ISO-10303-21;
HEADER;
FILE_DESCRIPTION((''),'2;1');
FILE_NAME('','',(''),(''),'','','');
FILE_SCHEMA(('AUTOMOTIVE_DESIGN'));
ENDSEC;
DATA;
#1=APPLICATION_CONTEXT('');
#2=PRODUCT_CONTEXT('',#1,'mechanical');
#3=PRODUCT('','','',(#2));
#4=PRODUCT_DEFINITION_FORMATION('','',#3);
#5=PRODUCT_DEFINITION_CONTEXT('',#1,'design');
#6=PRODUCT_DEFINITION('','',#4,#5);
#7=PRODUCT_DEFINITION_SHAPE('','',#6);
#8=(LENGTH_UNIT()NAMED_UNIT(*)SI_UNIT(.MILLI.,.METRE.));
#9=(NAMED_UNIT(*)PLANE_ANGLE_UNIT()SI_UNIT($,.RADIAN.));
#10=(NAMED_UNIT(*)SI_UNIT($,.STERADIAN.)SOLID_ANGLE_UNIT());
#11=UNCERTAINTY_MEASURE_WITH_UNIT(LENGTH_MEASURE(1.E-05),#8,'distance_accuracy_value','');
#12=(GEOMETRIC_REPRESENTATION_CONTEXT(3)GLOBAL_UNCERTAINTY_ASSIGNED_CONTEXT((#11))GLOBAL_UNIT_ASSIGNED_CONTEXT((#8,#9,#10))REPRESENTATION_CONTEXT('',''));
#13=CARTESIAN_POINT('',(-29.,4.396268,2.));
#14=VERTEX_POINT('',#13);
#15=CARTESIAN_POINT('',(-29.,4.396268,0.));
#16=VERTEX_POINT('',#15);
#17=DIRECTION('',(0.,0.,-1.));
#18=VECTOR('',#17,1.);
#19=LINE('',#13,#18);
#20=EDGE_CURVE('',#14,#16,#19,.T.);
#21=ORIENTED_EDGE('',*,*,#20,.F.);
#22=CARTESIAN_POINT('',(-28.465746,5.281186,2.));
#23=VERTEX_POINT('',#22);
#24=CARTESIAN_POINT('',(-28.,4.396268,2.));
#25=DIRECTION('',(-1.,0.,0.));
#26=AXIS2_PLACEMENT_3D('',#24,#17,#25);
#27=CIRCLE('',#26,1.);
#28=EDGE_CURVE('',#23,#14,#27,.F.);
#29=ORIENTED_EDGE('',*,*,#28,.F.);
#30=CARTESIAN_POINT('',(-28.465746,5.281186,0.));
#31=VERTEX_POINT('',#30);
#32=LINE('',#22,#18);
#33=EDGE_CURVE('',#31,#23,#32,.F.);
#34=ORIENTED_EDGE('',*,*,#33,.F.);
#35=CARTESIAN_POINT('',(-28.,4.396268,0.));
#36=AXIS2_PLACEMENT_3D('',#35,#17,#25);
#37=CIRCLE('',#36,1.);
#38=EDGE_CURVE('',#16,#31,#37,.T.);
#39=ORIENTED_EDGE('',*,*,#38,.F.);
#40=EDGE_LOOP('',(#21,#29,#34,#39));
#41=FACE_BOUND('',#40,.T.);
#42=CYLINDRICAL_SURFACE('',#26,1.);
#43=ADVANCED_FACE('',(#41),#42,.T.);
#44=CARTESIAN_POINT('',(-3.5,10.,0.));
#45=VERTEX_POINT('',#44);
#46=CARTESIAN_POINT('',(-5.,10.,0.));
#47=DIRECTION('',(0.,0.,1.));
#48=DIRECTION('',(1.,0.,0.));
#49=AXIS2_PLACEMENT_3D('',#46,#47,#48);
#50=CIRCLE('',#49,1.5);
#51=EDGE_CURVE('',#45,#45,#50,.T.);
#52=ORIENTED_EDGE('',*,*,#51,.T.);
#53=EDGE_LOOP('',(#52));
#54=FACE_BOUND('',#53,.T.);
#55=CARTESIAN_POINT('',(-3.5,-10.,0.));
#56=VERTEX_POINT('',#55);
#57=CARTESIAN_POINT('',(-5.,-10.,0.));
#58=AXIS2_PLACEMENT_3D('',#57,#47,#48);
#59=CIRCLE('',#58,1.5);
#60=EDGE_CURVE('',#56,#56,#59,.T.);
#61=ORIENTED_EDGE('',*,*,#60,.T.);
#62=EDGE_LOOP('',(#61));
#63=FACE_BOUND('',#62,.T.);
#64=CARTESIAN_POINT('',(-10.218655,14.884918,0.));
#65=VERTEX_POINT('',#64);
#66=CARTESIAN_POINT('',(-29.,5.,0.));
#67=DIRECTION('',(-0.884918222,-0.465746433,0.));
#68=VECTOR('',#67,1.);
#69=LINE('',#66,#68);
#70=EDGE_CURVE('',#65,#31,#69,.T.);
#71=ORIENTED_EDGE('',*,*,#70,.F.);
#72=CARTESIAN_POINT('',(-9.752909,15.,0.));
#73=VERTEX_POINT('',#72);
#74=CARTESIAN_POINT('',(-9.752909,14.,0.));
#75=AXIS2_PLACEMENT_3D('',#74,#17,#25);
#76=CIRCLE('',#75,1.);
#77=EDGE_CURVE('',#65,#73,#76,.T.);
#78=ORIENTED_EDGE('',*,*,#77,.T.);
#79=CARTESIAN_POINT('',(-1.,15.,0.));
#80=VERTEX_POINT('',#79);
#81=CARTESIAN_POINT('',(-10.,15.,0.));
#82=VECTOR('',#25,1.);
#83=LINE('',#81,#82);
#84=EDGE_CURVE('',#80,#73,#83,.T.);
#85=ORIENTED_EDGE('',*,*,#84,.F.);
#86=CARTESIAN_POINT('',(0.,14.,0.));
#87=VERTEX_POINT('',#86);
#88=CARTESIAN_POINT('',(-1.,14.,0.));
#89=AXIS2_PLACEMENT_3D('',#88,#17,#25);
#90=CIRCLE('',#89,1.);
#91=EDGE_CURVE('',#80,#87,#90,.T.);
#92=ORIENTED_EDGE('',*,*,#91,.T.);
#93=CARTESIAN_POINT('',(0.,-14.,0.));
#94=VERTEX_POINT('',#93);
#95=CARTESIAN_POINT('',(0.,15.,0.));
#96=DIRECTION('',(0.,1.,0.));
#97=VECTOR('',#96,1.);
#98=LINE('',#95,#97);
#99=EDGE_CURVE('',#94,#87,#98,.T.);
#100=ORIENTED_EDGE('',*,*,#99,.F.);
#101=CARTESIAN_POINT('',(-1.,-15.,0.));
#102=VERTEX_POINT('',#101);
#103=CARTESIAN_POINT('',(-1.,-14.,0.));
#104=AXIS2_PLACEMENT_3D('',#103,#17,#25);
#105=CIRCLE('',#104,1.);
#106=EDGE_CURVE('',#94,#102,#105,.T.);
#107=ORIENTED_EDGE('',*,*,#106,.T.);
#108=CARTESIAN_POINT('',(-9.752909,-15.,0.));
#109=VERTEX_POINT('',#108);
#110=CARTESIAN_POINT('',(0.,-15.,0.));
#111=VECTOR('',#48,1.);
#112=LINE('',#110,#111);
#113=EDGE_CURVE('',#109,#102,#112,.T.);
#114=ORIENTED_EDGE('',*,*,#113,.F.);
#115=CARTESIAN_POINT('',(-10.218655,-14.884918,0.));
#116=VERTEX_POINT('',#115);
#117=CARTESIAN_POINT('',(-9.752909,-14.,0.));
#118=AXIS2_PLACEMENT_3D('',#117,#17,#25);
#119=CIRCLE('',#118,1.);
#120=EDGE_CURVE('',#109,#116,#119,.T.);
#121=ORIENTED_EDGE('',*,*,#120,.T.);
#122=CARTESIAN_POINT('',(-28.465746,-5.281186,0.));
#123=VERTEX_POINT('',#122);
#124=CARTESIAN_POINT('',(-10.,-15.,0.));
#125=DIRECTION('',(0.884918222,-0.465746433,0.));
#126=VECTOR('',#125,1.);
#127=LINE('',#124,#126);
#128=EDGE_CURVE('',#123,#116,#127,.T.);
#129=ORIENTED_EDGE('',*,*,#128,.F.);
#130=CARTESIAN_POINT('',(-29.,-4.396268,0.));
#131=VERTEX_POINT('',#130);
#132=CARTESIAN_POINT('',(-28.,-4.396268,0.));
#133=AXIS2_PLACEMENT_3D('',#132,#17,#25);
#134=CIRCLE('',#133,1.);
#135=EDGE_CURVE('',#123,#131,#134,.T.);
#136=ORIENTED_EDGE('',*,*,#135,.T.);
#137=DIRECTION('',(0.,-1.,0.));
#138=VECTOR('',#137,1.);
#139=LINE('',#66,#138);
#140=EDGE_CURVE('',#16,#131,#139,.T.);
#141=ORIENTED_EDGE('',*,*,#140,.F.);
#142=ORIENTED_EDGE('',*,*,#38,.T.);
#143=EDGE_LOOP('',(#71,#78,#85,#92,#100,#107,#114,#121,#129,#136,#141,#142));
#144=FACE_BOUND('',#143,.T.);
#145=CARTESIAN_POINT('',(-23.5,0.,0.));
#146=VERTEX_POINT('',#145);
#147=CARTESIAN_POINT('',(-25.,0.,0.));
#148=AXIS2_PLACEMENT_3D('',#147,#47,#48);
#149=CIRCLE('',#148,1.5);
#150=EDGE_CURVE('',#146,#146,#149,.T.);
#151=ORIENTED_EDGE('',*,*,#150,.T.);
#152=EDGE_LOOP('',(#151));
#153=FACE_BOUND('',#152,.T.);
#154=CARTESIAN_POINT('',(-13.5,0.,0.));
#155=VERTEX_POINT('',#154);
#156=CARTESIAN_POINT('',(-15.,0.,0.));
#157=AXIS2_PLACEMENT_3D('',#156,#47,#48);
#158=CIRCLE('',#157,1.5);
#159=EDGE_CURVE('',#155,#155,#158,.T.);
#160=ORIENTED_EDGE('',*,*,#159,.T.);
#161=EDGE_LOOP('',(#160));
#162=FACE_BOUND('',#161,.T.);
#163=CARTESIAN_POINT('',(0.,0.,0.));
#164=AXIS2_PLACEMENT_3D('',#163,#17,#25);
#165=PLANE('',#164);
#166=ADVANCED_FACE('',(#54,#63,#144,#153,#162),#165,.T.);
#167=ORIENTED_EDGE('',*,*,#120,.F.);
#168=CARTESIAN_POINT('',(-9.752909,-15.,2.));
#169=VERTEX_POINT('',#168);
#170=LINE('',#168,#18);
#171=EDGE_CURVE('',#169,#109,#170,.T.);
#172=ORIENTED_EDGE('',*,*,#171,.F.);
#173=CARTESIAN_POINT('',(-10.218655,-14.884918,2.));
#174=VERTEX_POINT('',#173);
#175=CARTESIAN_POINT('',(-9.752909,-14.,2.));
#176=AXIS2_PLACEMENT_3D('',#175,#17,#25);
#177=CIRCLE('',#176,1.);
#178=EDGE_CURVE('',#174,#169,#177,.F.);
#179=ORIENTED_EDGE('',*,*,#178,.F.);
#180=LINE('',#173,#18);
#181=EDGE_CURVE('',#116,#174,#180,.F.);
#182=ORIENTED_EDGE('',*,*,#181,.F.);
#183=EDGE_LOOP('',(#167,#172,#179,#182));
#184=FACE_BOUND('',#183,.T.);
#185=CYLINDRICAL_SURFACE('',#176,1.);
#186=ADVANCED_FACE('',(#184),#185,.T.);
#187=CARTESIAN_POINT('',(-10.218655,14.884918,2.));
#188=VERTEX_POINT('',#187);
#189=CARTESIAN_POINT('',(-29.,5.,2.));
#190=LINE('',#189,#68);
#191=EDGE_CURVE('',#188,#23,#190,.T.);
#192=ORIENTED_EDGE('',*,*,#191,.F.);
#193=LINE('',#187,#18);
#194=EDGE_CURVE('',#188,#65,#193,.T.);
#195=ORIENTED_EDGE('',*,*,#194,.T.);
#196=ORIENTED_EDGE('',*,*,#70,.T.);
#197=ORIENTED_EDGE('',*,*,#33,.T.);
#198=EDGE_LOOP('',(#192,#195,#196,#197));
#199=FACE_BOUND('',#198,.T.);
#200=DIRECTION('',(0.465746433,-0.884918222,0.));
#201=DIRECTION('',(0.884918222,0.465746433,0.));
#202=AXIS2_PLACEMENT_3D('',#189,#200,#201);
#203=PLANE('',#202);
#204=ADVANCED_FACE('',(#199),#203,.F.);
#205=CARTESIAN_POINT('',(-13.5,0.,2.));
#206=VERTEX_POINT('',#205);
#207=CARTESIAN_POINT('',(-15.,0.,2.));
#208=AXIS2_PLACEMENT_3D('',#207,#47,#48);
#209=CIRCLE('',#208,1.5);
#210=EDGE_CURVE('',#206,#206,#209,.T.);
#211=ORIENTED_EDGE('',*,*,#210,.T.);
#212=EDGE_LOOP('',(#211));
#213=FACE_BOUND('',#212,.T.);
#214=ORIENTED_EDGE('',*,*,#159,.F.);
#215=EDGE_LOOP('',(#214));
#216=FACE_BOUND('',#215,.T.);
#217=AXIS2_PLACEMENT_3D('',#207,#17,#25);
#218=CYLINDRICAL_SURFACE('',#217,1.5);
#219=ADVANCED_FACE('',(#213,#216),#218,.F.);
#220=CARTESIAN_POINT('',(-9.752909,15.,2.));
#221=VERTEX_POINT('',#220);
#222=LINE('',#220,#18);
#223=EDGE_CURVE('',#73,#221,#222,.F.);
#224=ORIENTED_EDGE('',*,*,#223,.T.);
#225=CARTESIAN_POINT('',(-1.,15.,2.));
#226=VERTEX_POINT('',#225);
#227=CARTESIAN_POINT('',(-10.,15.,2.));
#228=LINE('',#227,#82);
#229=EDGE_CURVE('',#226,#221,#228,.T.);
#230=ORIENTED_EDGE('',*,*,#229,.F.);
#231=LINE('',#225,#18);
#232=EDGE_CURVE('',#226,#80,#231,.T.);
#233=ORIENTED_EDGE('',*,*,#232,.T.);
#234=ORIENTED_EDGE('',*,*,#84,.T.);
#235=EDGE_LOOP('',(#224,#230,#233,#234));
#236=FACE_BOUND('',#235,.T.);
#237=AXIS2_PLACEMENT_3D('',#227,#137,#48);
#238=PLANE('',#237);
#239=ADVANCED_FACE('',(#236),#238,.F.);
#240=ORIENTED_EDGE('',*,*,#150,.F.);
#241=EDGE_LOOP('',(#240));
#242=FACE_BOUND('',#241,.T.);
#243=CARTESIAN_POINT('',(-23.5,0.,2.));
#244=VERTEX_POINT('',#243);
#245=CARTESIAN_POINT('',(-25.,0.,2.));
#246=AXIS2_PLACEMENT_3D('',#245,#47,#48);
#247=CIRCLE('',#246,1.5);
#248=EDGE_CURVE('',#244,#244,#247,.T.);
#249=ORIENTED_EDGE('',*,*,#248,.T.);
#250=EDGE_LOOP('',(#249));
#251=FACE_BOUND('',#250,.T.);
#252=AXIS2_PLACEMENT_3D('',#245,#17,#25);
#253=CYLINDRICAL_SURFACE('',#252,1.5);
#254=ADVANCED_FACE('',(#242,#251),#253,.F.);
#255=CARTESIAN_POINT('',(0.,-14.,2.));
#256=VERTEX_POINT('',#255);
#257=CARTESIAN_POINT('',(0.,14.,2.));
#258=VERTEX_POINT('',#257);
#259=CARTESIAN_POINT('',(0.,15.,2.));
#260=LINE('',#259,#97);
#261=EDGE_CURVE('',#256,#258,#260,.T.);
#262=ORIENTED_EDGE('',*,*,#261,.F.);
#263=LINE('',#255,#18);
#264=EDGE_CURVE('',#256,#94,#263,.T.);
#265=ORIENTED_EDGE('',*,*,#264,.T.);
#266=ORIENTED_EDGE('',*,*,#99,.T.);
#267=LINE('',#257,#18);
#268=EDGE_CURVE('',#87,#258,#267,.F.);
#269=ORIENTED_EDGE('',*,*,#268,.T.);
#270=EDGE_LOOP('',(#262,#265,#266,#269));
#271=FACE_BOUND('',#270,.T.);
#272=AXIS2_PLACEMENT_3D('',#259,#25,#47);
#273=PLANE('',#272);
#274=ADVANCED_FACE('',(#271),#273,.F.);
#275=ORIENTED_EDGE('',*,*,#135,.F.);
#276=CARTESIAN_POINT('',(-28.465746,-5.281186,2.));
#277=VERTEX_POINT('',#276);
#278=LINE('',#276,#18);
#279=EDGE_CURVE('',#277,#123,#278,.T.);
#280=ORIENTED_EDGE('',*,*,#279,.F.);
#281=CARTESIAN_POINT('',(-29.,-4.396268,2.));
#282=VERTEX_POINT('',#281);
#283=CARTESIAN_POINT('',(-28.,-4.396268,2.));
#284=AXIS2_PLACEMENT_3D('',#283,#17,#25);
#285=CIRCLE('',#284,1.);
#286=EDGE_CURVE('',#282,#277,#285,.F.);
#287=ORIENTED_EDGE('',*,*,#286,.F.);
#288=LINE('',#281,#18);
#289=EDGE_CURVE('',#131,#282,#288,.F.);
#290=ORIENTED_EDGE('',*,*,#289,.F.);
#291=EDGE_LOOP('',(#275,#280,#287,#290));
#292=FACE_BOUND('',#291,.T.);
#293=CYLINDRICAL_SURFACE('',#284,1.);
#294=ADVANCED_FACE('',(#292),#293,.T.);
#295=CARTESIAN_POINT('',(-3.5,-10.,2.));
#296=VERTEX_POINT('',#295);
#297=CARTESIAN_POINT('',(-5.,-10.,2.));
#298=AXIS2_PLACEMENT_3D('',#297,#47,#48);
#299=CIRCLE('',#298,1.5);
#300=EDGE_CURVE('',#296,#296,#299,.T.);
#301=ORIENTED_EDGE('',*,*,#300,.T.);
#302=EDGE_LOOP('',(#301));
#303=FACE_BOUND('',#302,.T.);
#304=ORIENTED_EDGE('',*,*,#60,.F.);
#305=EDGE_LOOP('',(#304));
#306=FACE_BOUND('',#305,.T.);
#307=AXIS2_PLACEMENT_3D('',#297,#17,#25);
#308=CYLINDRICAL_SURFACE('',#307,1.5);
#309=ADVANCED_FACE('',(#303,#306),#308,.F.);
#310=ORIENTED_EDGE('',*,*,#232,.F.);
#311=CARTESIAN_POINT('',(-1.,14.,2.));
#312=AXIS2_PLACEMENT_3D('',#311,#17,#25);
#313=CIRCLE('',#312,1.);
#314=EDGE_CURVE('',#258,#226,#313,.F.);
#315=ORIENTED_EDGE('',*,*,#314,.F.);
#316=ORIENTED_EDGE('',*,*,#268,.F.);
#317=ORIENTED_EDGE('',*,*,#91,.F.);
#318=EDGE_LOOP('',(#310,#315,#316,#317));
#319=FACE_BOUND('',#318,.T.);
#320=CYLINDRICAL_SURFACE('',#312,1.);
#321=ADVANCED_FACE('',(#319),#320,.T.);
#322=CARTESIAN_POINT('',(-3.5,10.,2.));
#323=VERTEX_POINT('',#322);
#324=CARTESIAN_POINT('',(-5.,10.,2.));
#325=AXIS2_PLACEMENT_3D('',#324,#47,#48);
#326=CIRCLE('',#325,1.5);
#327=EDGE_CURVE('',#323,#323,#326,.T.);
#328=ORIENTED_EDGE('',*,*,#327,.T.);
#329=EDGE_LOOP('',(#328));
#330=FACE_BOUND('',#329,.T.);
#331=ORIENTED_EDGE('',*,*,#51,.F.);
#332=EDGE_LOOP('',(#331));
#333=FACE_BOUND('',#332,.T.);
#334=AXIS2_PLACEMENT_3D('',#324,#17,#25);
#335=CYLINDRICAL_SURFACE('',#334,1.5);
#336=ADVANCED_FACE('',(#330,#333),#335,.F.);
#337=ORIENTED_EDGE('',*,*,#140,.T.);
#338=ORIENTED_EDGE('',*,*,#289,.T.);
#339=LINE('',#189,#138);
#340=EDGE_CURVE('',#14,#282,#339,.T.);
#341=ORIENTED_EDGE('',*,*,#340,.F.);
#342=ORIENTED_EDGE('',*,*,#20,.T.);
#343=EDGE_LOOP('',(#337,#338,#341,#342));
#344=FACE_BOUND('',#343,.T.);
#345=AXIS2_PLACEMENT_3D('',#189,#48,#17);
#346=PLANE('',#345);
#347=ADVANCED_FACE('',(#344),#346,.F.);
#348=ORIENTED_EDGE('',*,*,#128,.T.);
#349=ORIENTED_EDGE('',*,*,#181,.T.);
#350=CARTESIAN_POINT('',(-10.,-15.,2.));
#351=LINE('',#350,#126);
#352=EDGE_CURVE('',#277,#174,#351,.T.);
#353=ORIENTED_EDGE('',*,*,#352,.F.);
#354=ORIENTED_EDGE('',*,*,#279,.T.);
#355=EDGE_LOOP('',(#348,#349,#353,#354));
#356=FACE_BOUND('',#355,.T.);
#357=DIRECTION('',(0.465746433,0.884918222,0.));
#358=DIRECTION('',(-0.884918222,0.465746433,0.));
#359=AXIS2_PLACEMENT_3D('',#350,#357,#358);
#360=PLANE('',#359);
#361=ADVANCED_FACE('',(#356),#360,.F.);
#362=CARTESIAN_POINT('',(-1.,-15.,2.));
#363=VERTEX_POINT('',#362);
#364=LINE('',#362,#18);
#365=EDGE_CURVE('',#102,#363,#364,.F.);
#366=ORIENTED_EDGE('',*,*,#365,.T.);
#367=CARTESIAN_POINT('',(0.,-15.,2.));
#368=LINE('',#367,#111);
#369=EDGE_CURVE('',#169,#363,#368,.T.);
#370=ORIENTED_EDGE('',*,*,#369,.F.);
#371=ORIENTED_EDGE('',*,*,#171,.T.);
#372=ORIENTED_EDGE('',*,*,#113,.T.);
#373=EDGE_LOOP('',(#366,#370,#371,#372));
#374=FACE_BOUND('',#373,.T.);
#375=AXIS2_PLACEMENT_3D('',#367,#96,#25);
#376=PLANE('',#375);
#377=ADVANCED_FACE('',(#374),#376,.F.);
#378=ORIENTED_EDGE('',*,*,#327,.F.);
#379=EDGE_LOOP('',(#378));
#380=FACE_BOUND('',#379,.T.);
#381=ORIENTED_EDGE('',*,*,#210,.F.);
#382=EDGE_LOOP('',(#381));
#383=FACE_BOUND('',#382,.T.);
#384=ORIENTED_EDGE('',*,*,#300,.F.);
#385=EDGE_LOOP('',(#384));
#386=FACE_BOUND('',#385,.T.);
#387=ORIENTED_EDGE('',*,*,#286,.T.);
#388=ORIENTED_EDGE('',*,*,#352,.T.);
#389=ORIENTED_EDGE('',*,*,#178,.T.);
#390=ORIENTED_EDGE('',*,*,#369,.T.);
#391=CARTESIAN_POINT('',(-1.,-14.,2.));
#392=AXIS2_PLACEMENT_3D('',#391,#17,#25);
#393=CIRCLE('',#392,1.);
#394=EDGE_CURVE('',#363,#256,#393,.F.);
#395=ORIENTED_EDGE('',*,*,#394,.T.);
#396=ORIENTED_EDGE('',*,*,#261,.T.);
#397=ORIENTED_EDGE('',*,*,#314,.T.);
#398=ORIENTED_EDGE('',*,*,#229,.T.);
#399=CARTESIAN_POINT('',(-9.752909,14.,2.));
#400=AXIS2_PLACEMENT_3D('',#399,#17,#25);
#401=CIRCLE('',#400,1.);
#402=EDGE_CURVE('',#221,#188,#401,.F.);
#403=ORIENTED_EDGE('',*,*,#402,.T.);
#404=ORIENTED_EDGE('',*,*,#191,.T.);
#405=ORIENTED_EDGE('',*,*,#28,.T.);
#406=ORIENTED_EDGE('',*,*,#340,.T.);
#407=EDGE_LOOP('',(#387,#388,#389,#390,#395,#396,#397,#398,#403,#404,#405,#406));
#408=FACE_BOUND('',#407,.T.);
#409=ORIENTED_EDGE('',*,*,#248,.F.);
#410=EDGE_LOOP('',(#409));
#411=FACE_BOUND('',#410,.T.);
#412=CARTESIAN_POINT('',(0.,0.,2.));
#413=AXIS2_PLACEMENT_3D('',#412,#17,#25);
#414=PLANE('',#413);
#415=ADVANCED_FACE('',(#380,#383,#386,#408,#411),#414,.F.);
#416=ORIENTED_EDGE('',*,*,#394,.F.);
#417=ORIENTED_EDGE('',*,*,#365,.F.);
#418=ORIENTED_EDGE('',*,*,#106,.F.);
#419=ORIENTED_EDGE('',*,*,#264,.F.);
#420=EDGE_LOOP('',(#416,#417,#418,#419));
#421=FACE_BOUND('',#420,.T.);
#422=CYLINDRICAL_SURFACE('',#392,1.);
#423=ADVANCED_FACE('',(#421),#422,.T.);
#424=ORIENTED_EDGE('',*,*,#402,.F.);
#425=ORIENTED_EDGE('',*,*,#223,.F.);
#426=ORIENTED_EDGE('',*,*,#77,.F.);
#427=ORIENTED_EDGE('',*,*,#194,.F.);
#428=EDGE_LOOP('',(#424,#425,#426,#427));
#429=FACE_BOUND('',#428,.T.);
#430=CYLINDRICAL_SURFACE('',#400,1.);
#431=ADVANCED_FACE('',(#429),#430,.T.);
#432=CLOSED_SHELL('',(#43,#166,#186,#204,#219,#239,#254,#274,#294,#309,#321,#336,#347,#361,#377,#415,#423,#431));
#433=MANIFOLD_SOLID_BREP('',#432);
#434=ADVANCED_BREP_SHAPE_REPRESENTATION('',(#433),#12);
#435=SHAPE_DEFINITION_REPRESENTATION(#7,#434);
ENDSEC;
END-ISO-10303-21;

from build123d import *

# Parameters (mm, degrees)
SKETCH_1_R      = 1.5
EXTRUDE_1_DEPTH = 2
FILLET_1_R      = 1


with BuildPart() as part:
    # 草图1 → 凸台-拉伸1 (new body)
    with BuildSketch(Plane.XY):
        Polygon((0, 15), (0, -15), (-10, -15), (-29, -5), (-29, 5), (-10, 15), align=None)
        with Locations((-15, 0)):
            Circle(SKETCH_1_R, mode=Mode.SUBTRACT)
        with Locations((-5, -10)):
            Circle(SKETCH_1_R, mode=Mode.SUBTRACT)
        with Locations((-5, 10)):
            Circle(SKETCH_1_R, mode=Mode.SUBTRACT)
        with Locations((-25, 0)):
            Circle(SKETCH_1_R, mode=Mode.SUBTRACT)
    extrude(amount=EXTRUDE_1_DEPTH)

    # 圆角1
    fillet_1_edges = [part.edges().sort_by_distance(p)[0] for p in [
        (0, 15, 1),
        (0, -15, 1),
        (-10, -15, 1),
        (-29, -5, 1),
        (-29, 5, 1),
        (-10, 15, 1),
    ]]
    fillet(fillet_1_edges, radius=FILLET_1_R)


solid = part.part
